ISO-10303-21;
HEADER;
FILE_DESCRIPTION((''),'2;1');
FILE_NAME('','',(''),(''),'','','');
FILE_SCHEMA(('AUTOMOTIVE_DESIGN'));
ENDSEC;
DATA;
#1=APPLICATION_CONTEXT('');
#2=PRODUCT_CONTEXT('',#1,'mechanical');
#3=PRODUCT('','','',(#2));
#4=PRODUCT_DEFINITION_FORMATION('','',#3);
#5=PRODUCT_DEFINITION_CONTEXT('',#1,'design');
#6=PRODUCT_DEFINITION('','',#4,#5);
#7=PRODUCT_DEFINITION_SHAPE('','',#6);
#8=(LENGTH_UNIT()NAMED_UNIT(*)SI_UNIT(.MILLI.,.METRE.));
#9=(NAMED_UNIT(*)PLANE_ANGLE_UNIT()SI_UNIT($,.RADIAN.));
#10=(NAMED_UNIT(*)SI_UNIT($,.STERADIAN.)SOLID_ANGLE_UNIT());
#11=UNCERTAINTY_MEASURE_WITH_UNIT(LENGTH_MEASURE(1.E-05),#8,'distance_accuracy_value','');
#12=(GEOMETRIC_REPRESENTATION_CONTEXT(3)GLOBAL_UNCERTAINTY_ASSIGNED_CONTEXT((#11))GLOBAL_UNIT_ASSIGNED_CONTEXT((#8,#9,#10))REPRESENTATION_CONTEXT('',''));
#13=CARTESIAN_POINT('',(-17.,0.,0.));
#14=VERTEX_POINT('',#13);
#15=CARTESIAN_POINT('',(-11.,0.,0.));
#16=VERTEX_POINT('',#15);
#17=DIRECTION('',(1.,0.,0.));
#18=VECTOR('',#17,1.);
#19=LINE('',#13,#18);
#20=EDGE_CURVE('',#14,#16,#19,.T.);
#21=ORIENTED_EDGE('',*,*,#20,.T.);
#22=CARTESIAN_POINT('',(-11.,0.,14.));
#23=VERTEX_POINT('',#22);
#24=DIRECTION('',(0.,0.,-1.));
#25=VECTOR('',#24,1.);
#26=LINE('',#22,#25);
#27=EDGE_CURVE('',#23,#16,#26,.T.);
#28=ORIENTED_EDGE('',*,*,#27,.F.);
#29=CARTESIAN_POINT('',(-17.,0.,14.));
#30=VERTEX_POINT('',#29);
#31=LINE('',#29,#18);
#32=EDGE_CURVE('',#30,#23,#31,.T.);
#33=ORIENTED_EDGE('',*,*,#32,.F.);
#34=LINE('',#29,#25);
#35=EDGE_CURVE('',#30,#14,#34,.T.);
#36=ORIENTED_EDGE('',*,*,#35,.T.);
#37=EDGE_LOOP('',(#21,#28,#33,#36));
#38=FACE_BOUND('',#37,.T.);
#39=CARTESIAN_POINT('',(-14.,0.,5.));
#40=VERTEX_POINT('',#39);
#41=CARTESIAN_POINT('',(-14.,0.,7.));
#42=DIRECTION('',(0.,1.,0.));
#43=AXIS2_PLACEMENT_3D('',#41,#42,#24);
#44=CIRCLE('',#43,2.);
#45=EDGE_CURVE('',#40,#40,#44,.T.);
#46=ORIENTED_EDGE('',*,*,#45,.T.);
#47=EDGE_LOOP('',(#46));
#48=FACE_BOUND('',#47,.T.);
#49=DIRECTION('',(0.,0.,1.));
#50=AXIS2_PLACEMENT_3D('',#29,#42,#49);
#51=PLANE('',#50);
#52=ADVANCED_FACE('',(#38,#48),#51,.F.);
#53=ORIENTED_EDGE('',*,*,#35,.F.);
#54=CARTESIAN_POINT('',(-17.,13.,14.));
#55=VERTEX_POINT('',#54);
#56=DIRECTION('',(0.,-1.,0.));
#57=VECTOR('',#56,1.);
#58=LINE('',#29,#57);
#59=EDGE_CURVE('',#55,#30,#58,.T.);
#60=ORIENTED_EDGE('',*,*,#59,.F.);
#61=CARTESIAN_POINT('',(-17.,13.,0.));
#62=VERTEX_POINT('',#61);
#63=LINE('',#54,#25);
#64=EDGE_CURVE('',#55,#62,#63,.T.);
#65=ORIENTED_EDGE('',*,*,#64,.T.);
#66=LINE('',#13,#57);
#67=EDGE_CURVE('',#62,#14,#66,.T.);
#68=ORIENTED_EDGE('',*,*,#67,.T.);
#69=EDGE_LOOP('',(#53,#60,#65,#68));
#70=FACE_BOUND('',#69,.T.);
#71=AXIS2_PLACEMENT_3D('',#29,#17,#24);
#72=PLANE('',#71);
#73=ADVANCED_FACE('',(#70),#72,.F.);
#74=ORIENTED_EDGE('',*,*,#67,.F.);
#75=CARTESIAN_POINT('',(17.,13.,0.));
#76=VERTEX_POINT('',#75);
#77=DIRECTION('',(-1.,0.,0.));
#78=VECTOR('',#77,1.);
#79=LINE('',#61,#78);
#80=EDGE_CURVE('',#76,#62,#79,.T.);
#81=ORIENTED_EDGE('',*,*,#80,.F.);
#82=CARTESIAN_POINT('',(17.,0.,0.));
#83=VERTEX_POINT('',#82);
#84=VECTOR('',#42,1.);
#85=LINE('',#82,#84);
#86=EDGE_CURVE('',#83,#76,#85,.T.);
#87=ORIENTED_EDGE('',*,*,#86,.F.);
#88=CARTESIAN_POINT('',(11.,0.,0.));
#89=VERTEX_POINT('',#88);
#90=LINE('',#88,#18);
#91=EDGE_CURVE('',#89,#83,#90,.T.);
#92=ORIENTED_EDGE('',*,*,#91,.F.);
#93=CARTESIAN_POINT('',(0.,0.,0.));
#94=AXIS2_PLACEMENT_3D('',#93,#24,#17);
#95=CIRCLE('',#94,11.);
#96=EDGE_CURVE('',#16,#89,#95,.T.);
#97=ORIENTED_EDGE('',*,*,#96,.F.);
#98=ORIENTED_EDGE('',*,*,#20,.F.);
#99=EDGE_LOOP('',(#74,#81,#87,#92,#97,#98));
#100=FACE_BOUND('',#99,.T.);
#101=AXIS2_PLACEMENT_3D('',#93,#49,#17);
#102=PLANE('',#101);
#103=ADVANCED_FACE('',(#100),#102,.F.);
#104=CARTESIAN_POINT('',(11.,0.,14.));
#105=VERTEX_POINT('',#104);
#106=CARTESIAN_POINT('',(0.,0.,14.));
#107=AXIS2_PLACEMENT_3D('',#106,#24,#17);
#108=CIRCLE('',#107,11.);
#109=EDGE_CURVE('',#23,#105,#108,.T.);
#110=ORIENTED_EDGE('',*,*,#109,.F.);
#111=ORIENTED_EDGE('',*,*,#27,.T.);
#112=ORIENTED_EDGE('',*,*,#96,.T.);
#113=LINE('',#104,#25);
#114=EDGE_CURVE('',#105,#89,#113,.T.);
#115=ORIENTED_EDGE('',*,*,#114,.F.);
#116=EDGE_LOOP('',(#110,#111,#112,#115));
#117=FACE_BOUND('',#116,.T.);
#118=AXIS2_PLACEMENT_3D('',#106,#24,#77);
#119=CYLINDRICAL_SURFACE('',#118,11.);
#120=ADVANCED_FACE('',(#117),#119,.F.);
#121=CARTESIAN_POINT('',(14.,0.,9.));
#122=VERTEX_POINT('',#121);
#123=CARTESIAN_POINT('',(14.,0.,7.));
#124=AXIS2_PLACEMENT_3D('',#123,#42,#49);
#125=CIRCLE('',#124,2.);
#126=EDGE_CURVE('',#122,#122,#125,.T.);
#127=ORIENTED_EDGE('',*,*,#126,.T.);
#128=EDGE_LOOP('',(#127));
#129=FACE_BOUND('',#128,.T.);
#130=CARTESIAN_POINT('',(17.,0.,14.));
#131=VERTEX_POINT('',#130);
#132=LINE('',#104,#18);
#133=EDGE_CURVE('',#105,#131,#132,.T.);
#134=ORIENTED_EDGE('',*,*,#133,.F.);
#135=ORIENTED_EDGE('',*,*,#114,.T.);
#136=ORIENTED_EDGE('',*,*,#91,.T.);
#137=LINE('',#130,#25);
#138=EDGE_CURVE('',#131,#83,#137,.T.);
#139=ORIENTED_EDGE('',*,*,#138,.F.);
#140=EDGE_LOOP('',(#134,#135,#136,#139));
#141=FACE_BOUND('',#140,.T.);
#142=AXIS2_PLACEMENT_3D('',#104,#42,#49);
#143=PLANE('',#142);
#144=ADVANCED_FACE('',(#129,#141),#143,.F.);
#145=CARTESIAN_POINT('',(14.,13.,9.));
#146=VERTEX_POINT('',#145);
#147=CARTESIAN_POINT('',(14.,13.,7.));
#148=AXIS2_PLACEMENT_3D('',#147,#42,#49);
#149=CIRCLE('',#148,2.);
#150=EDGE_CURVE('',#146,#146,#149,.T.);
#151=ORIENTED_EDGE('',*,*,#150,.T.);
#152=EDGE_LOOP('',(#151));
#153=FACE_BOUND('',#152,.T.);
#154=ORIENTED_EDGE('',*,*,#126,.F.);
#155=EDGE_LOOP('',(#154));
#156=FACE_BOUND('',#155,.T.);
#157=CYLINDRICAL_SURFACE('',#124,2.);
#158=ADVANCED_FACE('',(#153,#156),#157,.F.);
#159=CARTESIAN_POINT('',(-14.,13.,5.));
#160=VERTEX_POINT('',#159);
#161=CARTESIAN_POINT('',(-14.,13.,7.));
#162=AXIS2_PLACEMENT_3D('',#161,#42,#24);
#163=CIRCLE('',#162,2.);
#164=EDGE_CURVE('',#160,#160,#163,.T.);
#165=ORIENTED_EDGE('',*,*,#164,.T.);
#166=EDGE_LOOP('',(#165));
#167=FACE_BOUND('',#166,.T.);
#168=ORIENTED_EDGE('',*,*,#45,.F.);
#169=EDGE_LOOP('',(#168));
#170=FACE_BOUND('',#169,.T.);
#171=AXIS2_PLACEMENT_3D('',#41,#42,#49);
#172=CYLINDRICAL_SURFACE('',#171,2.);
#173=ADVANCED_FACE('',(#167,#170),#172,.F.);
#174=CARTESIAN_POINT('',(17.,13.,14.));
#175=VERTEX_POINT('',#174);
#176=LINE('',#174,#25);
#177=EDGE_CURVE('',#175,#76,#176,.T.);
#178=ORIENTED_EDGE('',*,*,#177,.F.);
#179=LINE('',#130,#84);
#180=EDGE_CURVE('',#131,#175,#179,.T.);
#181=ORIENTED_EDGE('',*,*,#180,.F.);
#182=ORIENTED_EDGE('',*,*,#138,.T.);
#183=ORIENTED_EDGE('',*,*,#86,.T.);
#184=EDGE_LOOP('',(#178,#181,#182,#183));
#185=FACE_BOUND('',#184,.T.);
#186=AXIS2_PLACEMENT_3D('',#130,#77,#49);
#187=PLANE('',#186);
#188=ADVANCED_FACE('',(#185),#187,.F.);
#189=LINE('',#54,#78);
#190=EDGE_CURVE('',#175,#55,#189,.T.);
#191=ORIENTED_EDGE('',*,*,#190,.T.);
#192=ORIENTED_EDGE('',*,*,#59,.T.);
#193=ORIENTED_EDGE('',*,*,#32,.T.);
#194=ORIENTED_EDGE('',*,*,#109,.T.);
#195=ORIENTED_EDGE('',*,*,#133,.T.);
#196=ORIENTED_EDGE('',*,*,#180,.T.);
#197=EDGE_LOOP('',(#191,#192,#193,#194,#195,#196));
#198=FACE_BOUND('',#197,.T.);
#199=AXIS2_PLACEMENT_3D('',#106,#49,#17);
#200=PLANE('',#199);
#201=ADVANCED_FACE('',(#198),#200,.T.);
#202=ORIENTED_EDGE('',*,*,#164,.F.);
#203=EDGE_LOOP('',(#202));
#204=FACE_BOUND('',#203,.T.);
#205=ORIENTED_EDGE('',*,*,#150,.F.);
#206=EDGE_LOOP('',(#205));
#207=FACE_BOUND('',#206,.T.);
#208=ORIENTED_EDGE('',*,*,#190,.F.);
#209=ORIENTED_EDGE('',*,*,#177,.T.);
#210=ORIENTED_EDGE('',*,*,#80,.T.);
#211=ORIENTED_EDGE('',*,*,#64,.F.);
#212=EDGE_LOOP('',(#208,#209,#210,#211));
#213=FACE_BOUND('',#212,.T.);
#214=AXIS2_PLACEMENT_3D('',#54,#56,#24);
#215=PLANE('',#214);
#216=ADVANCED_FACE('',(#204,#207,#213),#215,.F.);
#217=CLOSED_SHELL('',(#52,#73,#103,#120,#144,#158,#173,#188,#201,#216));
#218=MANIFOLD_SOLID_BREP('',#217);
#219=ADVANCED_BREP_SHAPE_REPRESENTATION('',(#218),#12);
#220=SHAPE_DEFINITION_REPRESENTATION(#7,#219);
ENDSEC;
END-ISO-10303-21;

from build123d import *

# Parameters (mm, degrees)
EXTRUSION1_DEPTH = 14
ESQUISSE2_R      = 2
EXTRUSION2_DEPTH = 14


with BuildPart() as part:
    # Esquisse1 → Extrusion1 (new body)
    with BuildSketch(Plane.XY):
        with BuildLine():
            Line((-17, 0), (-17, 13))
            Line((-17, 13), (17, 13))
            Line((17, 13), (17, 0))
            Line((17, 0), (11, 0))
            ThreePointArc((11, 0), (0, 11), (-11, 0))
            Line((-11, 0), (-17, 0))
        make_face()
    extrude(amount=EXTRUSION1_DEPTH)

    # Esquisse2 → Extrusion2 (cut, through all)
    with BuildSketch(Plane(origin=(0, 13, 0), x_dir=(1, 0, 0), z_dir=(0, 1, 0))):
        with Locations((-14, -7)):
            Circle(ESQUISSE2_R)
        with Locations((14, -7)):
            Circle(ESQUISSE2_R)
    extrude(amount=-EXTRUSION2_DEPTH, mode=Mode.SUBTRACT)


solid = part.part
